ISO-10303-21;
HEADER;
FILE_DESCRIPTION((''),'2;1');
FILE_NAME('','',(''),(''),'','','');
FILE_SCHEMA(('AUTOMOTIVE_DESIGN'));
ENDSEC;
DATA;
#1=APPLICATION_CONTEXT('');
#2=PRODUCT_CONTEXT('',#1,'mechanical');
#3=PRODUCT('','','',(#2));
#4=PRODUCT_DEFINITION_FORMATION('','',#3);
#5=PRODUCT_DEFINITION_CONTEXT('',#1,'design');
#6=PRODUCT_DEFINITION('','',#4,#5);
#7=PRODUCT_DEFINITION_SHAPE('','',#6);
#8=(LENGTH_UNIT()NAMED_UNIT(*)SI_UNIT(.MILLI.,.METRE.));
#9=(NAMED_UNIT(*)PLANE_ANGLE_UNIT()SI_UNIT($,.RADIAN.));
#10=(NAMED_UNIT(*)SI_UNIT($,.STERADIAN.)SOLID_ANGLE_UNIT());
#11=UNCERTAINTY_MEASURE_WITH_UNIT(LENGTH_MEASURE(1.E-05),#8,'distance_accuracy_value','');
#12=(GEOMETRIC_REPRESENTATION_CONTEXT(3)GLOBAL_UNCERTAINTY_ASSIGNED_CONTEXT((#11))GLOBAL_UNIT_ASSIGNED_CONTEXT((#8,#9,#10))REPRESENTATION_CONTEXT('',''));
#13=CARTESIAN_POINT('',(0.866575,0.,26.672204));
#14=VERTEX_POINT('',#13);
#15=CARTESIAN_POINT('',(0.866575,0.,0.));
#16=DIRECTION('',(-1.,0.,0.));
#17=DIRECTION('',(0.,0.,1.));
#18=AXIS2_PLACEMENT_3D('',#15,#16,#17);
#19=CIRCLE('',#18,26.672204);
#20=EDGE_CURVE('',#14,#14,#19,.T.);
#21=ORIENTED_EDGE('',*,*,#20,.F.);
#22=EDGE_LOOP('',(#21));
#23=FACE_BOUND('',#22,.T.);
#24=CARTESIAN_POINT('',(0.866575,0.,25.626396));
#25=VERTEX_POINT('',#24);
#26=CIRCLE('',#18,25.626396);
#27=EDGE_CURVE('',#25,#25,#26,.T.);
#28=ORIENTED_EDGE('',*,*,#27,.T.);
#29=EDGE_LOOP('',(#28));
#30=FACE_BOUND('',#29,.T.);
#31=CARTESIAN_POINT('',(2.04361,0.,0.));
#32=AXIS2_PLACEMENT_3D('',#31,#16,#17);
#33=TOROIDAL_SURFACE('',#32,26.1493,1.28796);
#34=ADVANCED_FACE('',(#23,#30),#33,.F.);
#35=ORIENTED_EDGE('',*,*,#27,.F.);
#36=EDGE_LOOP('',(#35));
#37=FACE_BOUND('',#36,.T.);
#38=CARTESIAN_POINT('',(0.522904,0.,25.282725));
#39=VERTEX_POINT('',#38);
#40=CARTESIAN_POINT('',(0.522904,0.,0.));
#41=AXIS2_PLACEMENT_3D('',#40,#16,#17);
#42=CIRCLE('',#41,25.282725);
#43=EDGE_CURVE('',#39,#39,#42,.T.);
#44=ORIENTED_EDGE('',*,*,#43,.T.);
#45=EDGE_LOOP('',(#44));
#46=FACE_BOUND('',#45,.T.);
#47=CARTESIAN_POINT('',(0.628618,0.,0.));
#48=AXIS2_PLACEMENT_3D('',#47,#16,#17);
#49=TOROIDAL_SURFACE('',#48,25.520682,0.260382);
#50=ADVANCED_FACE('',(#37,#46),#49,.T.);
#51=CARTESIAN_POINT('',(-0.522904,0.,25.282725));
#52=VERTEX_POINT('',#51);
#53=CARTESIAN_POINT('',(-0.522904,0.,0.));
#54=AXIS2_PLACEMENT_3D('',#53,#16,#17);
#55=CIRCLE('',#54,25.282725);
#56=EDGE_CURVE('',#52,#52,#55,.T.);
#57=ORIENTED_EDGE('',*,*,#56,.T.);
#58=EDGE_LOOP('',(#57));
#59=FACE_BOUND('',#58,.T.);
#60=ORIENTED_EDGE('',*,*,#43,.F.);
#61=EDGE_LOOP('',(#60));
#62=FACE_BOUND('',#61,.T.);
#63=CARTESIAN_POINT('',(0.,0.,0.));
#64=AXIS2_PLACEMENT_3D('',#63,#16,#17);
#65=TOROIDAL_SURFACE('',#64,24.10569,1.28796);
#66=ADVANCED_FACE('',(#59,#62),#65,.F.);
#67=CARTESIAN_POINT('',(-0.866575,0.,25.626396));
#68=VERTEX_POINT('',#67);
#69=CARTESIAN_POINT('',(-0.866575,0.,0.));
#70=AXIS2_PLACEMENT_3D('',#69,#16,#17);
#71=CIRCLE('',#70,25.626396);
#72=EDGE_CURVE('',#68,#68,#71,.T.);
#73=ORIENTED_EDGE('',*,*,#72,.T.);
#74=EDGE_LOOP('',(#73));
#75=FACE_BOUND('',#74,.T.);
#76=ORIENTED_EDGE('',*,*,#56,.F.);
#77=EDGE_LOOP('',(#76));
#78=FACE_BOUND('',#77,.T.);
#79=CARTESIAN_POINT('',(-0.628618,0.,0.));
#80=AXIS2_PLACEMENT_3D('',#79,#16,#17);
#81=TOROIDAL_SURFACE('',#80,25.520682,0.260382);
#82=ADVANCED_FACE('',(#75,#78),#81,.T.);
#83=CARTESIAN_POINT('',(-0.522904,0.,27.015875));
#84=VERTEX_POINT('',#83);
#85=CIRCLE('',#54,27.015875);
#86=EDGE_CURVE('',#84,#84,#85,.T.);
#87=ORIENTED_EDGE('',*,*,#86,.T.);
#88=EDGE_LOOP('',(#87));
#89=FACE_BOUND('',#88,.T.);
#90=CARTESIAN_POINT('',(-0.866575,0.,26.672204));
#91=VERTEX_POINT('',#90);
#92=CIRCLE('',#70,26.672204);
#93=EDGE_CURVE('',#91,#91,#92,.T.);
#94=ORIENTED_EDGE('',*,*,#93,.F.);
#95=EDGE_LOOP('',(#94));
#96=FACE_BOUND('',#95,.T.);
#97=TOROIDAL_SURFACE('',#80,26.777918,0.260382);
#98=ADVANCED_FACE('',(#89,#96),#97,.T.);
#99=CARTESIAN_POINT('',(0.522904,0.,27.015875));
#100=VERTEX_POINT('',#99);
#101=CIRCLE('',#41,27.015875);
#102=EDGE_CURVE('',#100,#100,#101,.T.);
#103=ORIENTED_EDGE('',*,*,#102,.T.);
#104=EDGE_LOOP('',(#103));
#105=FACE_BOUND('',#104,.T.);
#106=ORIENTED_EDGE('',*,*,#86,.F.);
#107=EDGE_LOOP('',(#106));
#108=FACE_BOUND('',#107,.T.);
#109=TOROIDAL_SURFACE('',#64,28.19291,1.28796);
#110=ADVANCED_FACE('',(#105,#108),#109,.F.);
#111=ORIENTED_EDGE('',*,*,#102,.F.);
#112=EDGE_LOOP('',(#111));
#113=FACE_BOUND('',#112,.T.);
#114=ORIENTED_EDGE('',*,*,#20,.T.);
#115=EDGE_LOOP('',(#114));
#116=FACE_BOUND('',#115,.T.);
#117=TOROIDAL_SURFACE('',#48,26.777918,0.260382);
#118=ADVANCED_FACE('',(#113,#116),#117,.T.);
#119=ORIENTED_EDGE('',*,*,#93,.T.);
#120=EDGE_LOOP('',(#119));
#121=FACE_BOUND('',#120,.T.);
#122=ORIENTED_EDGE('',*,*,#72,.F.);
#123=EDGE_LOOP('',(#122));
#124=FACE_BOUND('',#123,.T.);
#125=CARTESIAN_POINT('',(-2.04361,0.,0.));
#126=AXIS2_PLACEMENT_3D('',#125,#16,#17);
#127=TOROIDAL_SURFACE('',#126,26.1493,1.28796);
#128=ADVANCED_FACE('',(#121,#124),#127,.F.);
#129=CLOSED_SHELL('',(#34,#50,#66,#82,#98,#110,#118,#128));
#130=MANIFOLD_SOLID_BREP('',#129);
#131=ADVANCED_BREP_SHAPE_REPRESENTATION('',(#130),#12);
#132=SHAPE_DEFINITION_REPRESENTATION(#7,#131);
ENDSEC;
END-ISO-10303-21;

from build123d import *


with BuildPart() as part:
    # Sketch1 → Revolve1 (revolve)
    with BuildSketch(Plane.XY, mode=Mode.PRIVATE) as revolve1_sk:
        with BuildLine():
            ThreePointArc((-0.86657475, 26.672204285), (-0.75565, 26.1493), (-0.86657475, 25.626395715))
            ThreePointArc((-0.86657475, 25.626395715), (-0.812735857, 25.336564143), (-0.522904285, 25.28272525))
            ThreePointArc((-0.522904285, 25.28272525), (0, 25.39365), (0.522904285, 25.28272525))
            ThreePointArc((0.522904285, 25.28272525), (0.812735857, 25.336564143), (0.86657475, 25.626395715))
            ThreePointArc((0.86657475, 25.626395715), (0.75565, 26.1493), (0.86657475, 26.672204285))
            ThreePointArc((0.86657475, 26.672204285), (0.812735857, 26.962035857), (0.522904285, 27.01587475))
            ThreePointArc((0.522904285, 27.01587475), (0, 26.90495), (-0.522904285, 27.01587475))
            ThreePointArc((-0.522904285, 27.01587475), (-0.812735857, 26.962035857), (-0.86657475, 26.672204285))
        make_face()
    revolve(revolve1_sk.sketch.rotate(Axis((-0.889, 0, 0), (1, 0, 0)), 90), axis=Axis((-0.889, 0, 0), (1, 0, 0)))


solid = part.part
